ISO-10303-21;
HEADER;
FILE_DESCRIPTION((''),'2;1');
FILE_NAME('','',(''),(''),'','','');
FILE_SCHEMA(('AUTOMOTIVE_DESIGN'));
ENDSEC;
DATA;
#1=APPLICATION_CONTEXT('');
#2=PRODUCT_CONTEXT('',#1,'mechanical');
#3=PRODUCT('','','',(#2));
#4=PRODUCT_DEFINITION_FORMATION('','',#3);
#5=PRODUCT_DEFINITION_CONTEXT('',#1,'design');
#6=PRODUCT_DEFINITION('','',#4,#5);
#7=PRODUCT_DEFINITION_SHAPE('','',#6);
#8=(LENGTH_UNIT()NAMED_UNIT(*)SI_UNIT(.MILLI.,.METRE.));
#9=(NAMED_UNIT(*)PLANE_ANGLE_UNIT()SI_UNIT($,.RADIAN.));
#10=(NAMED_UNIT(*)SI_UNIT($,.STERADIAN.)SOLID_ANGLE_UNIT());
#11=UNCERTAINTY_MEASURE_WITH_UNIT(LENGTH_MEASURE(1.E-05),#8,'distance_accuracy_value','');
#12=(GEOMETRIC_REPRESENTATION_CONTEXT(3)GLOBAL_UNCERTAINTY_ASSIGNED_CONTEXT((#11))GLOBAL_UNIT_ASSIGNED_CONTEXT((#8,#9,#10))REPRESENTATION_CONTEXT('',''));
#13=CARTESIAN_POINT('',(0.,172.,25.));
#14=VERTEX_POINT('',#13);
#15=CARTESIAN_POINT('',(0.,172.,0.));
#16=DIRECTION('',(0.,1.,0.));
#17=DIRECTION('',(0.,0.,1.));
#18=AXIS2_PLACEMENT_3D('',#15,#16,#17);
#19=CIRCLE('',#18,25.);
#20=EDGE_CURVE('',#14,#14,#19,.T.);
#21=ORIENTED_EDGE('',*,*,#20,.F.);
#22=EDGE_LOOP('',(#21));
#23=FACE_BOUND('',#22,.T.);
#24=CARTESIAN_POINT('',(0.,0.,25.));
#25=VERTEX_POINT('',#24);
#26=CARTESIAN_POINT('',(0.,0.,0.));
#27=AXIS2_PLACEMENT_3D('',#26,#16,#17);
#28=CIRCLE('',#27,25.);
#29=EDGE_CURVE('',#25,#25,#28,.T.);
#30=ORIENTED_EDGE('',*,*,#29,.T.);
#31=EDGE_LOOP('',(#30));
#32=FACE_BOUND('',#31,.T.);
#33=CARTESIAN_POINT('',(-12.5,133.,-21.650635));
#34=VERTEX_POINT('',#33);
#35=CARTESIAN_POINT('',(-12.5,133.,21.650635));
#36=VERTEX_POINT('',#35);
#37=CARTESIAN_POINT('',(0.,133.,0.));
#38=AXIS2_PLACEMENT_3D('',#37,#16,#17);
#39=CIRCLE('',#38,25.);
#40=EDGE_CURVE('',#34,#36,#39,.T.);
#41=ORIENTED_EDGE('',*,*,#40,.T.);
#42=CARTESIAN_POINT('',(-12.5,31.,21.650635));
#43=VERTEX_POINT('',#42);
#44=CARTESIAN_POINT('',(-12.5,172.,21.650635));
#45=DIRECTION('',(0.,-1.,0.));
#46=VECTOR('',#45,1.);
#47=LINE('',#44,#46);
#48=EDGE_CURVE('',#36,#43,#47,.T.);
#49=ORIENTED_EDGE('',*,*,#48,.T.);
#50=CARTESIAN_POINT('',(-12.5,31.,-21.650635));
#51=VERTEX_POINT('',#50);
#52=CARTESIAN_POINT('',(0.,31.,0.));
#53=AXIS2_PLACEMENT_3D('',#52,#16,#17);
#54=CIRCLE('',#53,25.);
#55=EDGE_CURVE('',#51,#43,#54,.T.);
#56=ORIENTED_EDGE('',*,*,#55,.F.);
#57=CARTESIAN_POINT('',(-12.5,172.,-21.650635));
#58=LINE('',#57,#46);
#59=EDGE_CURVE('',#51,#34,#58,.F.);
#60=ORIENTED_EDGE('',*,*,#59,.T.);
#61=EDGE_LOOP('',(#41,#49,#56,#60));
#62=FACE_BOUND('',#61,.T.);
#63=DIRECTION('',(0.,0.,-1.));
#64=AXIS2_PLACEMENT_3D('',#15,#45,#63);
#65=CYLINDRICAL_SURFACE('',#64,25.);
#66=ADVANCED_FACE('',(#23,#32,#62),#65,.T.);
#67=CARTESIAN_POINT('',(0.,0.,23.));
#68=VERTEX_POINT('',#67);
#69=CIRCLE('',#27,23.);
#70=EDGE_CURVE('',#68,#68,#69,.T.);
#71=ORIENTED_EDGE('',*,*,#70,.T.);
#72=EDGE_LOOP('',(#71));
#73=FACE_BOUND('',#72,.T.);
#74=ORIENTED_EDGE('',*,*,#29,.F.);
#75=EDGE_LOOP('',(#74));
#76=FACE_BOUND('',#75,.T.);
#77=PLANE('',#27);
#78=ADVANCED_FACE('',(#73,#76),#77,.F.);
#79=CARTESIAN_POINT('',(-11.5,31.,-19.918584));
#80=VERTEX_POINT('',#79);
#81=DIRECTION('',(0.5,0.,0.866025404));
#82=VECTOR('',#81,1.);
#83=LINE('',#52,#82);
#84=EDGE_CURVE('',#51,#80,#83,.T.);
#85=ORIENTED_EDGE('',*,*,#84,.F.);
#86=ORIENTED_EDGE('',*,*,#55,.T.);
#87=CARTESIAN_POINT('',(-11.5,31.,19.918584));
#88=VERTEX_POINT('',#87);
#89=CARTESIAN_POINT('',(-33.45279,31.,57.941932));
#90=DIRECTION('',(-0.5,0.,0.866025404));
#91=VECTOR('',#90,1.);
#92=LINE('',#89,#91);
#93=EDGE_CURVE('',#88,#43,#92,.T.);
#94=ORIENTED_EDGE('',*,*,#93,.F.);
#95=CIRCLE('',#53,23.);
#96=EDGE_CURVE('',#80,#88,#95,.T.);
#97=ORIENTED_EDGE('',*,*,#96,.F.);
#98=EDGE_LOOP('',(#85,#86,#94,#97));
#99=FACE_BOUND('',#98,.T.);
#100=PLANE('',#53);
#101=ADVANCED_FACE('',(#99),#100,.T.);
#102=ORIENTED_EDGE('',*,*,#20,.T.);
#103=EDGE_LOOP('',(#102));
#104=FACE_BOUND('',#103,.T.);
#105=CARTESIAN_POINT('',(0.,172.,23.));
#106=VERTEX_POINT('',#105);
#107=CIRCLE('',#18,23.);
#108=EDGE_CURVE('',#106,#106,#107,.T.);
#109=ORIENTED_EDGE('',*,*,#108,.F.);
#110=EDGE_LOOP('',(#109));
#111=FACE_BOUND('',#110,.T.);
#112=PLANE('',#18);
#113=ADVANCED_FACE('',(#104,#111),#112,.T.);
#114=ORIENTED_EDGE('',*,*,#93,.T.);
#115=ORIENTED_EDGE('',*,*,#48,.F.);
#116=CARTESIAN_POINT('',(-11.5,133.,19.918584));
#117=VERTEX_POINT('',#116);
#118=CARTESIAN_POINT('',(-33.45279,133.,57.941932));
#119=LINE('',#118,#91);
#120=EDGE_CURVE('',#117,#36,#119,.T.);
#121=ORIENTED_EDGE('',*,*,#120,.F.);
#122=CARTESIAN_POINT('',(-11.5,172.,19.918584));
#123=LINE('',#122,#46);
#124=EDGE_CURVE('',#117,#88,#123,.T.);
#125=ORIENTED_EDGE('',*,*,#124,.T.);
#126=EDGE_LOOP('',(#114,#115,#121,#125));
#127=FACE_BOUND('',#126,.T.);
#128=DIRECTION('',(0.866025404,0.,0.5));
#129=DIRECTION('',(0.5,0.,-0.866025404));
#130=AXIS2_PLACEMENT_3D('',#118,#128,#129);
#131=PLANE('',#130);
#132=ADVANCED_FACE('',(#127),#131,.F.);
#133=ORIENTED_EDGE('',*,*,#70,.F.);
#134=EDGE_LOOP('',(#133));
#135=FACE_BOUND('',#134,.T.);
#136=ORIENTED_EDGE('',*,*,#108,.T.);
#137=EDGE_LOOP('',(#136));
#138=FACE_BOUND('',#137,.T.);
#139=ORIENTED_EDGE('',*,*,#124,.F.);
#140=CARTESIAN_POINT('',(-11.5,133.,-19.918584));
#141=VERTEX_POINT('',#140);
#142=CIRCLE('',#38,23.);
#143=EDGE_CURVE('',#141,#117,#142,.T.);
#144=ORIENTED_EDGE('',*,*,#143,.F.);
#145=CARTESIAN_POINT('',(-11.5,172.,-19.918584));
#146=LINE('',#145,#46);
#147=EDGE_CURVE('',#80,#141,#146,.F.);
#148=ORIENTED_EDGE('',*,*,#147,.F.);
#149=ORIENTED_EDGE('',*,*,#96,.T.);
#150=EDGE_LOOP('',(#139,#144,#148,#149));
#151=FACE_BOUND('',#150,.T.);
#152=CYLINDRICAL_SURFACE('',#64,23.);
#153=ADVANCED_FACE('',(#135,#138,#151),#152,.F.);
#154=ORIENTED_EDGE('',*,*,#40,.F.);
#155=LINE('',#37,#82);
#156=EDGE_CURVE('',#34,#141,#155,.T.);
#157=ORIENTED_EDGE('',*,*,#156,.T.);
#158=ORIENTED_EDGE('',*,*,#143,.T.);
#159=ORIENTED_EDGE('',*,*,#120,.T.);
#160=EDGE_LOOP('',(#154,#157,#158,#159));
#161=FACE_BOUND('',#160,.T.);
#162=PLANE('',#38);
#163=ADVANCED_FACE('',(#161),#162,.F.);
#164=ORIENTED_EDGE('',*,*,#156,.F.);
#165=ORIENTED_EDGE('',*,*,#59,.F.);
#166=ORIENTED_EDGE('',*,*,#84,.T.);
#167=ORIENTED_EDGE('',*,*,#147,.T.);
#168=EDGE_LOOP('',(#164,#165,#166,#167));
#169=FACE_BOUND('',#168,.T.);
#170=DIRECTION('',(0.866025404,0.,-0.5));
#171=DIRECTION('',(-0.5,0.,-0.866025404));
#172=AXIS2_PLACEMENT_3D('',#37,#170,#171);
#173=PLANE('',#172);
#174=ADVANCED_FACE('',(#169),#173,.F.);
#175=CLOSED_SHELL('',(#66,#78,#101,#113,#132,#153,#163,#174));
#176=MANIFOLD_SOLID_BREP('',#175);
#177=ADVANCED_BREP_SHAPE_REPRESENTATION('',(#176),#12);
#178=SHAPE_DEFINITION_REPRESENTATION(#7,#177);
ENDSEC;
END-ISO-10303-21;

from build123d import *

# Parameters (mm, degrees)
SKETCH_1_R          = 25
SKETCH_1_R_2        = 23
EXTRUDE_1_DEPTH     = 172
CUT_EXTRUDE_1_DEPTH = 102


with BuildPart() as part:
    # Эскиз1 → Бобышка-Вытянуть1 (new body)
    with BuildSketch(Plane(origin=(0, 0, 0), x_dir=(1, 0, 0), z_dir=(0, 1, 0))):
        with Locations(Location((0, 0, 0), (0, 0, 270))):
            Circle(SKETCH_1_R)
        with Locations(Location((0, 0, 0), (0, 0, 270))):
            Circle(SKETCH_1_R_2, mode=Mode.SUBTRACT)
    extrude(amount=EXTRUDE_1_DEPTH)

    # Эскиз2 → Вырез-Вытянуть1 (cut)
    with BuildSketch(Plane(origin=(0, 31, 0), x_dir=(-1, 0, 0), z_dir=(0, -1, 0))):
        Polygon((0, 0), (29.61457633, 51.293950849), (33.452789958, -57.941931861), align=None)
    extrude(amount=-CUT_EXTRUDE_1_DEPTH, mode=Mode.SUBTRACT)


solid = part.part
